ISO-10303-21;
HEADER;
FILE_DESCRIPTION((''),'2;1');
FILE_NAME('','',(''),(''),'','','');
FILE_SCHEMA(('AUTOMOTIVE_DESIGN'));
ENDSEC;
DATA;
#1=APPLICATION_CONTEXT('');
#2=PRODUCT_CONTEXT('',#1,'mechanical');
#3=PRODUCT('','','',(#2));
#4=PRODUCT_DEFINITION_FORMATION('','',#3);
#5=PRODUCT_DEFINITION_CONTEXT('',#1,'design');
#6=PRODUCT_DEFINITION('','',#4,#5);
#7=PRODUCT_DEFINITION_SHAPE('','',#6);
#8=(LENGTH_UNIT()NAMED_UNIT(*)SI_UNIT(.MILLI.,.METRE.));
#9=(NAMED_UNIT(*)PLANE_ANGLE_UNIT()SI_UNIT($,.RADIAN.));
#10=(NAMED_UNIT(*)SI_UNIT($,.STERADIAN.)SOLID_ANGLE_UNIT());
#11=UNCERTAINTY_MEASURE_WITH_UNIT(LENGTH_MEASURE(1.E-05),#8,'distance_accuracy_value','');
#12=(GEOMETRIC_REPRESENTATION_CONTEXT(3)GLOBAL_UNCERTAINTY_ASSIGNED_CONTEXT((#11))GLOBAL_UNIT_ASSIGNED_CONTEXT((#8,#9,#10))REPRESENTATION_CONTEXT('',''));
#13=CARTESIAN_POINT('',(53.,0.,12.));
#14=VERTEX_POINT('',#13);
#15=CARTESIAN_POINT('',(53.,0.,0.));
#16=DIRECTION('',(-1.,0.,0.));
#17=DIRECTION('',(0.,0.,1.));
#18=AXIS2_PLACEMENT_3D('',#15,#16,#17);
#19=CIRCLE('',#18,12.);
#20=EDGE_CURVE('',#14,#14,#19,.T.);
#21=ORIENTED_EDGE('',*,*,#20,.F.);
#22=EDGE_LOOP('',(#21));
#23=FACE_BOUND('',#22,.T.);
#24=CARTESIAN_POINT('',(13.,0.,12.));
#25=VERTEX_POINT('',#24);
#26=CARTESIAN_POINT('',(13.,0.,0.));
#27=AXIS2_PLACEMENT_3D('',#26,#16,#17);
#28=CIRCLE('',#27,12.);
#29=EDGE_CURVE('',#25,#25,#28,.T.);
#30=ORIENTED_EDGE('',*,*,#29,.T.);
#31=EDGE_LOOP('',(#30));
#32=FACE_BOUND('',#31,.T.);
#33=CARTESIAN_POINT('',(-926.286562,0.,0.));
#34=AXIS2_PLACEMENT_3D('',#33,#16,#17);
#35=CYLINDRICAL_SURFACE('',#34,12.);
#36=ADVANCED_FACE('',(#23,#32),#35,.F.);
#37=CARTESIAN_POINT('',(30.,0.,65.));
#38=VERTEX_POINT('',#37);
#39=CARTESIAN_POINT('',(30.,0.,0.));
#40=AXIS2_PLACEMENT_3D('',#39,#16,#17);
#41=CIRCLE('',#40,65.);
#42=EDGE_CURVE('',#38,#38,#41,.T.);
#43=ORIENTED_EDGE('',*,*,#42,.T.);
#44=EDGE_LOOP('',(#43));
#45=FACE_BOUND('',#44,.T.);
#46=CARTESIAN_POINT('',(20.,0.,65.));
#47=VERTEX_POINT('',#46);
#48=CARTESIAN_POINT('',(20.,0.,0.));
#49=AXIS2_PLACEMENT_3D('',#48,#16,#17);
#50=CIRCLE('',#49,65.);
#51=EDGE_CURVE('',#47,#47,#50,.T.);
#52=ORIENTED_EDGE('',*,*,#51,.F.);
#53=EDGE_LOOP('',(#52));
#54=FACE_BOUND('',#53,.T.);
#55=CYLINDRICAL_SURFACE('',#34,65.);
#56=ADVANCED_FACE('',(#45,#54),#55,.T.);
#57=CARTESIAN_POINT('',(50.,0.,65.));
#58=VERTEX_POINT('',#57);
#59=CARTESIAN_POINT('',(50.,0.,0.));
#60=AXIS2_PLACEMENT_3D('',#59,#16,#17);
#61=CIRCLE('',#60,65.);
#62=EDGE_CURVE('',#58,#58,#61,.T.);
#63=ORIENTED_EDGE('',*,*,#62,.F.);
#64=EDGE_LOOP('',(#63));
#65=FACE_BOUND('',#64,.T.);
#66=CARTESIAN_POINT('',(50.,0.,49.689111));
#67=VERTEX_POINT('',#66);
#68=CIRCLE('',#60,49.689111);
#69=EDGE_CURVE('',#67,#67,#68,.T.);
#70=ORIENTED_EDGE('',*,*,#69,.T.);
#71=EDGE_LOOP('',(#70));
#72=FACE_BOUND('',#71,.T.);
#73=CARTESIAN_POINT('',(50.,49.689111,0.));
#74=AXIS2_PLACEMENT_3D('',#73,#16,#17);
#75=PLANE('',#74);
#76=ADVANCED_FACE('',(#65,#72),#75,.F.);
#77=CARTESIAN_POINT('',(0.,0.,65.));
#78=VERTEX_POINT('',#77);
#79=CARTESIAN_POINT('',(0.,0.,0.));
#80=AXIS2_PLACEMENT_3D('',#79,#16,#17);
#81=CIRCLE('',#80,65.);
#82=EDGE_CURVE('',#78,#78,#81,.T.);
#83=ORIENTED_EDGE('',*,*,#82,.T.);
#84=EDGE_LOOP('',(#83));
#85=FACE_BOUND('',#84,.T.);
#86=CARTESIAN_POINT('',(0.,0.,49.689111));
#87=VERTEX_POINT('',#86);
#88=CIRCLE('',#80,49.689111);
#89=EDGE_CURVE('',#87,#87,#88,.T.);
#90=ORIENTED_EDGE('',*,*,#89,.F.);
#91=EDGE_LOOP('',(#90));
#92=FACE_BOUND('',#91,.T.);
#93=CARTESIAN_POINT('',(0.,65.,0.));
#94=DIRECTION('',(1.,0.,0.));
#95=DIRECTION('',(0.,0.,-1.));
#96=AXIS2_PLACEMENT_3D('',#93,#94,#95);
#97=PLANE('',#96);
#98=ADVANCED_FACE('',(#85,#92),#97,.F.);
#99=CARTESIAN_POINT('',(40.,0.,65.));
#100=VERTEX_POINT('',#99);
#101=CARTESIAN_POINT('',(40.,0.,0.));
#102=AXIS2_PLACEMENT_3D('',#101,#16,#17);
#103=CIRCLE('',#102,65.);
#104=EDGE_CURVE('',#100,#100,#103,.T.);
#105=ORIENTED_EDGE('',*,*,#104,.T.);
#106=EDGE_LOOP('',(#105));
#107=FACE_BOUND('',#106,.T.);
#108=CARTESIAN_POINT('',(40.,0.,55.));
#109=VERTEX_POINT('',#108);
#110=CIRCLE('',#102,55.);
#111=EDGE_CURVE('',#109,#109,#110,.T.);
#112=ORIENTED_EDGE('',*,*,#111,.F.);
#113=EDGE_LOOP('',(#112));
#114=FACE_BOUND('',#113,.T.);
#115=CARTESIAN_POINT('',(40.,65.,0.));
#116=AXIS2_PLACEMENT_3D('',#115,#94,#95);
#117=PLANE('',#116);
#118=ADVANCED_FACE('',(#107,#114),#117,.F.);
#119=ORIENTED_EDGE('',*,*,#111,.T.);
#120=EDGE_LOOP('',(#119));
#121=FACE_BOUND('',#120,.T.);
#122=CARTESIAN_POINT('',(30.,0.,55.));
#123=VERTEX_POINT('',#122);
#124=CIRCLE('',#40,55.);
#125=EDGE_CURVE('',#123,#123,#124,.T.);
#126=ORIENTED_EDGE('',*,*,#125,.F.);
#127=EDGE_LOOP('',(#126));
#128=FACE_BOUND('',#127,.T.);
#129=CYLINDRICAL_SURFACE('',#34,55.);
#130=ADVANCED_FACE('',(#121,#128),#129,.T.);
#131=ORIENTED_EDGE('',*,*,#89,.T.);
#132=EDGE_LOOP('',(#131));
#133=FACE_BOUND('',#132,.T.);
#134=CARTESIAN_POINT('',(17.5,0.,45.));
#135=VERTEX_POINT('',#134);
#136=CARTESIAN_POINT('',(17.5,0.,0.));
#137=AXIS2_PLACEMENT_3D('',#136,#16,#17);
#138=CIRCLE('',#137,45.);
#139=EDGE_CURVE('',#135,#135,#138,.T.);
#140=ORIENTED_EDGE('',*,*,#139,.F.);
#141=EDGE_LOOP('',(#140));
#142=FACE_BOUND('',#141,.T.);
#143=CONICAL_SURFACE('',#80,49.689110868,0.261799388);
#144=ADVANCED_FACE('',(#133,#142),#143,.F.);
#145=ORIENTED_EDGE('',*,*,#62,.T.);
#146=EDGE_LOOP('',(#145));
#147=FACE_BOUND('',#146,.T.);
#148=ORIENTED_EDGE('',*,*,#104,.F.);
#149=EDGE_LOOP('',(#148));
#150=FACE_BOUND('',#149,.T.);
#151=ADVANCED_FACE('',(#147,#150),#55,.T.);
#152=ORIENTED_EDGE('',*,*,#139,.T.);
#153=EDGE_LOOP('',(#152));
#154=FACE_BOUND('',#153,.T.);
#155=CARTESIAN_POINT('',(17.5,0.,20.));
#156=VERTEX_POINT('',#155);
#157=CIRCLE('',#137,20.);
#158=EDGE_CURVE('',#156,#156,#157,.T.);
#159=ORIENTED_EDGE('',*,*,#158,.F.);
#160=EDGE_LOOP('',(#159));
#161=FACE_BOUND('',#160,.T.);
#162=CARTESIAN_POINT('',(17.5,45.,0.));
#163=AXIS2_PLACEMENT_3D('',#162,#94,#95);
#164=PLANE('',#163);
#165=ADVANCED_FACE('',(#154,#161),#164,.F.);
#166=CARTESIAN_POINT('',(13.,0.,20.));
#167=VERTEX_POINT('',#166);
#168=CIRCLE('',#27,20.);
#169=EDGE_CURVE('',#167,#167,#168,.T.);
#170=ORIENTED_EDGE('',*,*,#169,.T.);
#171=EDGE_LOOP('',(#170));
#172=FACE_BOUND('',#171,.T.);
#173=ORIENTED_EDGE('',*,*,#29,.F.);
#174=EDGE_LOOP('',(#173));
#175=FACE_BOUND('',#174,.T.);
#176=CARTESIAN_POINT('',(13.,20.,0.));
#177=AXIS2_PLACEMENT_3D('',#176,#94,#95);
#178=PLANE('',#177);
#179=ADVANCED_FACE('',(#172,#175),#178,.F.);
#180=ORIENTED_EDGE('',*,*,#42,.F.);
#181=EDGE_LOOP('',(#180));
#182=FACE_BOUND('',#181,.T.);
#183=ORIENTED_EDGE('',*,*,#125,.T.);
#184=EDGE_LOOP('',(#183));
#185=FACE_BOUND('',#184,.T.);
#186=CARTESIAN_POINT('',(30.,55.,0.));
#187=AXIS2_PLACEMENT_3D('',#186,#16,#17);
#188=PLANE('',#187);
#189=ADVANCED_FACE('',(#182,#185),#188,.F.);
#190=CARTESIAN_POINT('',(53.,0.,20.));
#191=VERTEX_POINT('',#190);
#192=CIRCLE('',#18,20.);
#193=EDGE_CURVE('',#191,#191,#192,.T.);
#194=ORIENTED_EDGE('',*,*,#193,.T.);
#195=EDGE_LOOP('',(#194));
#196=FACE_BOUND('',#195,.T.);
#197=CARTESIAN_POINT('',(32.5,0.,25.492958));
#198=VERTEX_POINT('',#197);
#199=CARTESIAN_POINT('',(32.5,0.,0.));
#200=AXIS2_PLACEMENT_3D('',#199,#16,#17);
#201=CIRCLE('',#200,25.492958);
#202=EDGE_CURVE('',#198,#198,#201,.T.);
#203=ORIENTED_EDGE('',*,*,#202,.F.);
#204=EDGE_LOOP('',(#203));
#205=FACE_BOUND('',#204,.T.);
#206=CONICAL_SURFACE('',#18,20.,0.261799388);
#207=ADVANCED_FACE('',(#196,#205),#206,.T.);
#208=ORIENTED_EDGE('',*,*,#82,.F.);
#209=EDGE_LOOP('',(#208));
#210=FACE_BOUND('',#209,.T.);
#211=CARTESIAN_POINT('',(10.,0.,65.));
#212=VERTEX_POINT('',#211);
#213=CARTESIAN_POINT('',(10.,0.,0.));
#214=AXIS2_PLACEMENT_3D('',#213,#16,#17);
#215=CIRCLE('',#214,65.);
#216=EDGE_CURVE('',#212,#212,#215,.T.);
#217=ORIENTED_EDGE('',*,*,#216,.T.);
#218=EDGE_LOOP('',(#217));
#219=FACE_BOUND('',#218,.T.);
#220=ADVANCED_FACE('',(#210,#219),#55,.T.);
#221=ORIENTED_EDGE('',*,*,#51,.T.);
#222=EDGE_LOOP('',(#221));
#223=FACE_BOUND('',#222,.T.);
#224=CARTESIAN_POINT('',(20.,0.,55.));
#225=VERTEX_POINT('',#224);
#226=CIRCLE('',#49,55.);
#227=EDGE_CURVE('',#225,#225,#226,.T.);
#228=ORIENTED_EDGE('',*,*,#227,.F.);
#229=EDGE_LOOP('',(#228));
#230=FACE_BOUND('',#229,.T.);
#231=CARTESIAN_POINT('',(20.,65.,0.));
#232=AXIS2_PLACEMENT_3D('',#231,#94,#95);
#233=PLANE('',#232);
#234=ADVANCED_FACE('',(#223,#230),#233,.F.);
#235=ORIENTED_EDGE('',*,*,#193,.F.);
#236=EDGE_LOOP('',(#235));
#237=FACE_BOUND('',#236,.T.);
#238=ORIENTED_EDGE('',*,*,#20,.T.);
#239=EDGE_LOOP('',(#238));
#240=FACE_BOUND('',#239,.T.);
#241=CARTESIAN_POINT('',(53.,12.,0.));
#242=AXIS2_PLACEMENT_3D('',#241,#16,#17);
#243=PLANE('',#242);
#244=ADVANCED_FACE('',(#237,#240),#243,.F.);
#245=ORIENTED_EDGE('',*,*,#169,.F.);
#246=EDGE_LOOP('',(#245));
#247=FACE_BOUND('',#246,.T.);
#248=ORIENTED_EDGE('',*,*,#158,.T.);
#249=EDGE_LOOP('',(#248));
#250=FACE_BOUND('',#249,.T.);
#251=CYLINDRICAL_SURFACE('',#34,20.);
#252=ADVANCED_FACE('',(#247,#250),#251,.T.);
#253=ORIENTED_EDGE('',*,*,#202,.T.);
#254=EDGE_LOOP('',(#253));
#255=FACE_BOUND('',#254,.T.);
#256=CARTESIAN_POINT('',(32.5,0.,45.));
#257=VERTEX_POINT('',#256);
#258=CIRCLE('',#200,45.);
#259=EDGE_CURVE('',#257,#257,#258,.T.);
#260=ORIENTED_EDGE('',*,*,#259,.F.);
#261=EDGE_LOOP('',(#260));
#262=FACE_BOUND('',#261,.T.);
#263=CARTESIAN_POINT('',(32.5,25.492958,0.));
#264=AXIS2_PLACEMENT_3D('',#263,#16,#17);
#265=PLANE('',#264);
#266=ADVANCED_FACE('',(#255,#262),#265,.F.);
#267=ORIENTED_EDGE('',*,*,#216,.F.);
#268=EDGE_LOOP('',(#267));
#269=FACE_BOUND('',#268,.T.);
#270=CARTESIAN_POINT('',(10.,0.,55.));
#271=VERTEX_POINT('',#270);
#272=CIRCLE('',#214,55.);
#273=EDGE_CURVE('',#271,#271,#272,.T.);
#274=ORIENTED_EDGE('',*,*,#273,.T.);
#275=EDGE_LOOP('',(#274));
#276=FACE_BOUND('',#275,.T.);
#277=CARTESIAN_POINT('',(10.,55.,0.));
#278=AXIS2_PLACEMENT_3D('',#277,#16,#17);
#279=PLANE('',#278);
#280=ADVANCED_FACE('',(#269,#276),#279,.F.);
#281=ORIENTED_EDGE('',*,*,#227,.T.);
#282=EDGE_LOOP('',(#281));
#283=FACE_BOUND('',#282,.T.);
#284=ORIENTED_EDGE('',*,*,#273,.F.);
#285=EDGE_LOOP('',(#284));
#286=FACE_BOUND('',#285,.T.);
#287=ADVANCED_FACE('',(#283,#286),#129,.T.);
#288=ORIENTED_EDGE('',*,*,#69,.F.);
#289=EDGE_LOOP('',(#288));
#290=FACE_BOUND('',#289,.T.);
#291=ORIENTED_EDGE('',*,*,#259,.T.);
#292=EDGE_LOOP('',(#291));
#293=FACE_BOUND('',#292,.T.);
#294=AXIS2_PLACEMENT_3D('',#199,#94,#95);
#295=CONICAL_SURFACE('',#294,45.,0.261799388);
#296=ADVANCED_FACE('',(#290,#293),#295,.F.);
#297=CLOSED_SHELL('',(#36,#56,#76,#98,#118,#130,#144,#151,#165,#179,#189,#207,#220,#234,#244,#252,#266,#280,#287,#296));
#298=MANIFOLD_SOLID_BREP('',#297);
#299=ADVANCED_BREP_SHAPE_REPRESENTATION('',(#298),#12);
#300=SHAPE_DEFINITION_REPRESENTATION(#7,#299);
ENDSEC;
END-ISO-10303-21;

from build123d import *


with BuildPart() as part:
    # Эскиз1 → Повернуть1 (revolve)
    with BuildSketch(Plane.XY, mode=Mode.PRIVATE) as revolve_1_sk:
        Polygon((0, 65), (0, 49.689110868), (17.5, 45), (17.5, 20), (13, 20), (13, 12), (53, 12), (53, 20), (32.5, 25.492958445), (32.5, 45), (50, 49.689110868), (50, 65), (40, 65), (40, 55), (30, 55), (30, 65), (20, 65), (20, 55), (10, 55), (10, 65), align=None)
    revolve(revolve_1_sk.sketch.rotate(Axis((-926.28656243, 0, 0), (1, 0, 0)), 90), axis=Axis((-926.28656243, 0, 0), (1, 0, 0)))


solid = part.part
